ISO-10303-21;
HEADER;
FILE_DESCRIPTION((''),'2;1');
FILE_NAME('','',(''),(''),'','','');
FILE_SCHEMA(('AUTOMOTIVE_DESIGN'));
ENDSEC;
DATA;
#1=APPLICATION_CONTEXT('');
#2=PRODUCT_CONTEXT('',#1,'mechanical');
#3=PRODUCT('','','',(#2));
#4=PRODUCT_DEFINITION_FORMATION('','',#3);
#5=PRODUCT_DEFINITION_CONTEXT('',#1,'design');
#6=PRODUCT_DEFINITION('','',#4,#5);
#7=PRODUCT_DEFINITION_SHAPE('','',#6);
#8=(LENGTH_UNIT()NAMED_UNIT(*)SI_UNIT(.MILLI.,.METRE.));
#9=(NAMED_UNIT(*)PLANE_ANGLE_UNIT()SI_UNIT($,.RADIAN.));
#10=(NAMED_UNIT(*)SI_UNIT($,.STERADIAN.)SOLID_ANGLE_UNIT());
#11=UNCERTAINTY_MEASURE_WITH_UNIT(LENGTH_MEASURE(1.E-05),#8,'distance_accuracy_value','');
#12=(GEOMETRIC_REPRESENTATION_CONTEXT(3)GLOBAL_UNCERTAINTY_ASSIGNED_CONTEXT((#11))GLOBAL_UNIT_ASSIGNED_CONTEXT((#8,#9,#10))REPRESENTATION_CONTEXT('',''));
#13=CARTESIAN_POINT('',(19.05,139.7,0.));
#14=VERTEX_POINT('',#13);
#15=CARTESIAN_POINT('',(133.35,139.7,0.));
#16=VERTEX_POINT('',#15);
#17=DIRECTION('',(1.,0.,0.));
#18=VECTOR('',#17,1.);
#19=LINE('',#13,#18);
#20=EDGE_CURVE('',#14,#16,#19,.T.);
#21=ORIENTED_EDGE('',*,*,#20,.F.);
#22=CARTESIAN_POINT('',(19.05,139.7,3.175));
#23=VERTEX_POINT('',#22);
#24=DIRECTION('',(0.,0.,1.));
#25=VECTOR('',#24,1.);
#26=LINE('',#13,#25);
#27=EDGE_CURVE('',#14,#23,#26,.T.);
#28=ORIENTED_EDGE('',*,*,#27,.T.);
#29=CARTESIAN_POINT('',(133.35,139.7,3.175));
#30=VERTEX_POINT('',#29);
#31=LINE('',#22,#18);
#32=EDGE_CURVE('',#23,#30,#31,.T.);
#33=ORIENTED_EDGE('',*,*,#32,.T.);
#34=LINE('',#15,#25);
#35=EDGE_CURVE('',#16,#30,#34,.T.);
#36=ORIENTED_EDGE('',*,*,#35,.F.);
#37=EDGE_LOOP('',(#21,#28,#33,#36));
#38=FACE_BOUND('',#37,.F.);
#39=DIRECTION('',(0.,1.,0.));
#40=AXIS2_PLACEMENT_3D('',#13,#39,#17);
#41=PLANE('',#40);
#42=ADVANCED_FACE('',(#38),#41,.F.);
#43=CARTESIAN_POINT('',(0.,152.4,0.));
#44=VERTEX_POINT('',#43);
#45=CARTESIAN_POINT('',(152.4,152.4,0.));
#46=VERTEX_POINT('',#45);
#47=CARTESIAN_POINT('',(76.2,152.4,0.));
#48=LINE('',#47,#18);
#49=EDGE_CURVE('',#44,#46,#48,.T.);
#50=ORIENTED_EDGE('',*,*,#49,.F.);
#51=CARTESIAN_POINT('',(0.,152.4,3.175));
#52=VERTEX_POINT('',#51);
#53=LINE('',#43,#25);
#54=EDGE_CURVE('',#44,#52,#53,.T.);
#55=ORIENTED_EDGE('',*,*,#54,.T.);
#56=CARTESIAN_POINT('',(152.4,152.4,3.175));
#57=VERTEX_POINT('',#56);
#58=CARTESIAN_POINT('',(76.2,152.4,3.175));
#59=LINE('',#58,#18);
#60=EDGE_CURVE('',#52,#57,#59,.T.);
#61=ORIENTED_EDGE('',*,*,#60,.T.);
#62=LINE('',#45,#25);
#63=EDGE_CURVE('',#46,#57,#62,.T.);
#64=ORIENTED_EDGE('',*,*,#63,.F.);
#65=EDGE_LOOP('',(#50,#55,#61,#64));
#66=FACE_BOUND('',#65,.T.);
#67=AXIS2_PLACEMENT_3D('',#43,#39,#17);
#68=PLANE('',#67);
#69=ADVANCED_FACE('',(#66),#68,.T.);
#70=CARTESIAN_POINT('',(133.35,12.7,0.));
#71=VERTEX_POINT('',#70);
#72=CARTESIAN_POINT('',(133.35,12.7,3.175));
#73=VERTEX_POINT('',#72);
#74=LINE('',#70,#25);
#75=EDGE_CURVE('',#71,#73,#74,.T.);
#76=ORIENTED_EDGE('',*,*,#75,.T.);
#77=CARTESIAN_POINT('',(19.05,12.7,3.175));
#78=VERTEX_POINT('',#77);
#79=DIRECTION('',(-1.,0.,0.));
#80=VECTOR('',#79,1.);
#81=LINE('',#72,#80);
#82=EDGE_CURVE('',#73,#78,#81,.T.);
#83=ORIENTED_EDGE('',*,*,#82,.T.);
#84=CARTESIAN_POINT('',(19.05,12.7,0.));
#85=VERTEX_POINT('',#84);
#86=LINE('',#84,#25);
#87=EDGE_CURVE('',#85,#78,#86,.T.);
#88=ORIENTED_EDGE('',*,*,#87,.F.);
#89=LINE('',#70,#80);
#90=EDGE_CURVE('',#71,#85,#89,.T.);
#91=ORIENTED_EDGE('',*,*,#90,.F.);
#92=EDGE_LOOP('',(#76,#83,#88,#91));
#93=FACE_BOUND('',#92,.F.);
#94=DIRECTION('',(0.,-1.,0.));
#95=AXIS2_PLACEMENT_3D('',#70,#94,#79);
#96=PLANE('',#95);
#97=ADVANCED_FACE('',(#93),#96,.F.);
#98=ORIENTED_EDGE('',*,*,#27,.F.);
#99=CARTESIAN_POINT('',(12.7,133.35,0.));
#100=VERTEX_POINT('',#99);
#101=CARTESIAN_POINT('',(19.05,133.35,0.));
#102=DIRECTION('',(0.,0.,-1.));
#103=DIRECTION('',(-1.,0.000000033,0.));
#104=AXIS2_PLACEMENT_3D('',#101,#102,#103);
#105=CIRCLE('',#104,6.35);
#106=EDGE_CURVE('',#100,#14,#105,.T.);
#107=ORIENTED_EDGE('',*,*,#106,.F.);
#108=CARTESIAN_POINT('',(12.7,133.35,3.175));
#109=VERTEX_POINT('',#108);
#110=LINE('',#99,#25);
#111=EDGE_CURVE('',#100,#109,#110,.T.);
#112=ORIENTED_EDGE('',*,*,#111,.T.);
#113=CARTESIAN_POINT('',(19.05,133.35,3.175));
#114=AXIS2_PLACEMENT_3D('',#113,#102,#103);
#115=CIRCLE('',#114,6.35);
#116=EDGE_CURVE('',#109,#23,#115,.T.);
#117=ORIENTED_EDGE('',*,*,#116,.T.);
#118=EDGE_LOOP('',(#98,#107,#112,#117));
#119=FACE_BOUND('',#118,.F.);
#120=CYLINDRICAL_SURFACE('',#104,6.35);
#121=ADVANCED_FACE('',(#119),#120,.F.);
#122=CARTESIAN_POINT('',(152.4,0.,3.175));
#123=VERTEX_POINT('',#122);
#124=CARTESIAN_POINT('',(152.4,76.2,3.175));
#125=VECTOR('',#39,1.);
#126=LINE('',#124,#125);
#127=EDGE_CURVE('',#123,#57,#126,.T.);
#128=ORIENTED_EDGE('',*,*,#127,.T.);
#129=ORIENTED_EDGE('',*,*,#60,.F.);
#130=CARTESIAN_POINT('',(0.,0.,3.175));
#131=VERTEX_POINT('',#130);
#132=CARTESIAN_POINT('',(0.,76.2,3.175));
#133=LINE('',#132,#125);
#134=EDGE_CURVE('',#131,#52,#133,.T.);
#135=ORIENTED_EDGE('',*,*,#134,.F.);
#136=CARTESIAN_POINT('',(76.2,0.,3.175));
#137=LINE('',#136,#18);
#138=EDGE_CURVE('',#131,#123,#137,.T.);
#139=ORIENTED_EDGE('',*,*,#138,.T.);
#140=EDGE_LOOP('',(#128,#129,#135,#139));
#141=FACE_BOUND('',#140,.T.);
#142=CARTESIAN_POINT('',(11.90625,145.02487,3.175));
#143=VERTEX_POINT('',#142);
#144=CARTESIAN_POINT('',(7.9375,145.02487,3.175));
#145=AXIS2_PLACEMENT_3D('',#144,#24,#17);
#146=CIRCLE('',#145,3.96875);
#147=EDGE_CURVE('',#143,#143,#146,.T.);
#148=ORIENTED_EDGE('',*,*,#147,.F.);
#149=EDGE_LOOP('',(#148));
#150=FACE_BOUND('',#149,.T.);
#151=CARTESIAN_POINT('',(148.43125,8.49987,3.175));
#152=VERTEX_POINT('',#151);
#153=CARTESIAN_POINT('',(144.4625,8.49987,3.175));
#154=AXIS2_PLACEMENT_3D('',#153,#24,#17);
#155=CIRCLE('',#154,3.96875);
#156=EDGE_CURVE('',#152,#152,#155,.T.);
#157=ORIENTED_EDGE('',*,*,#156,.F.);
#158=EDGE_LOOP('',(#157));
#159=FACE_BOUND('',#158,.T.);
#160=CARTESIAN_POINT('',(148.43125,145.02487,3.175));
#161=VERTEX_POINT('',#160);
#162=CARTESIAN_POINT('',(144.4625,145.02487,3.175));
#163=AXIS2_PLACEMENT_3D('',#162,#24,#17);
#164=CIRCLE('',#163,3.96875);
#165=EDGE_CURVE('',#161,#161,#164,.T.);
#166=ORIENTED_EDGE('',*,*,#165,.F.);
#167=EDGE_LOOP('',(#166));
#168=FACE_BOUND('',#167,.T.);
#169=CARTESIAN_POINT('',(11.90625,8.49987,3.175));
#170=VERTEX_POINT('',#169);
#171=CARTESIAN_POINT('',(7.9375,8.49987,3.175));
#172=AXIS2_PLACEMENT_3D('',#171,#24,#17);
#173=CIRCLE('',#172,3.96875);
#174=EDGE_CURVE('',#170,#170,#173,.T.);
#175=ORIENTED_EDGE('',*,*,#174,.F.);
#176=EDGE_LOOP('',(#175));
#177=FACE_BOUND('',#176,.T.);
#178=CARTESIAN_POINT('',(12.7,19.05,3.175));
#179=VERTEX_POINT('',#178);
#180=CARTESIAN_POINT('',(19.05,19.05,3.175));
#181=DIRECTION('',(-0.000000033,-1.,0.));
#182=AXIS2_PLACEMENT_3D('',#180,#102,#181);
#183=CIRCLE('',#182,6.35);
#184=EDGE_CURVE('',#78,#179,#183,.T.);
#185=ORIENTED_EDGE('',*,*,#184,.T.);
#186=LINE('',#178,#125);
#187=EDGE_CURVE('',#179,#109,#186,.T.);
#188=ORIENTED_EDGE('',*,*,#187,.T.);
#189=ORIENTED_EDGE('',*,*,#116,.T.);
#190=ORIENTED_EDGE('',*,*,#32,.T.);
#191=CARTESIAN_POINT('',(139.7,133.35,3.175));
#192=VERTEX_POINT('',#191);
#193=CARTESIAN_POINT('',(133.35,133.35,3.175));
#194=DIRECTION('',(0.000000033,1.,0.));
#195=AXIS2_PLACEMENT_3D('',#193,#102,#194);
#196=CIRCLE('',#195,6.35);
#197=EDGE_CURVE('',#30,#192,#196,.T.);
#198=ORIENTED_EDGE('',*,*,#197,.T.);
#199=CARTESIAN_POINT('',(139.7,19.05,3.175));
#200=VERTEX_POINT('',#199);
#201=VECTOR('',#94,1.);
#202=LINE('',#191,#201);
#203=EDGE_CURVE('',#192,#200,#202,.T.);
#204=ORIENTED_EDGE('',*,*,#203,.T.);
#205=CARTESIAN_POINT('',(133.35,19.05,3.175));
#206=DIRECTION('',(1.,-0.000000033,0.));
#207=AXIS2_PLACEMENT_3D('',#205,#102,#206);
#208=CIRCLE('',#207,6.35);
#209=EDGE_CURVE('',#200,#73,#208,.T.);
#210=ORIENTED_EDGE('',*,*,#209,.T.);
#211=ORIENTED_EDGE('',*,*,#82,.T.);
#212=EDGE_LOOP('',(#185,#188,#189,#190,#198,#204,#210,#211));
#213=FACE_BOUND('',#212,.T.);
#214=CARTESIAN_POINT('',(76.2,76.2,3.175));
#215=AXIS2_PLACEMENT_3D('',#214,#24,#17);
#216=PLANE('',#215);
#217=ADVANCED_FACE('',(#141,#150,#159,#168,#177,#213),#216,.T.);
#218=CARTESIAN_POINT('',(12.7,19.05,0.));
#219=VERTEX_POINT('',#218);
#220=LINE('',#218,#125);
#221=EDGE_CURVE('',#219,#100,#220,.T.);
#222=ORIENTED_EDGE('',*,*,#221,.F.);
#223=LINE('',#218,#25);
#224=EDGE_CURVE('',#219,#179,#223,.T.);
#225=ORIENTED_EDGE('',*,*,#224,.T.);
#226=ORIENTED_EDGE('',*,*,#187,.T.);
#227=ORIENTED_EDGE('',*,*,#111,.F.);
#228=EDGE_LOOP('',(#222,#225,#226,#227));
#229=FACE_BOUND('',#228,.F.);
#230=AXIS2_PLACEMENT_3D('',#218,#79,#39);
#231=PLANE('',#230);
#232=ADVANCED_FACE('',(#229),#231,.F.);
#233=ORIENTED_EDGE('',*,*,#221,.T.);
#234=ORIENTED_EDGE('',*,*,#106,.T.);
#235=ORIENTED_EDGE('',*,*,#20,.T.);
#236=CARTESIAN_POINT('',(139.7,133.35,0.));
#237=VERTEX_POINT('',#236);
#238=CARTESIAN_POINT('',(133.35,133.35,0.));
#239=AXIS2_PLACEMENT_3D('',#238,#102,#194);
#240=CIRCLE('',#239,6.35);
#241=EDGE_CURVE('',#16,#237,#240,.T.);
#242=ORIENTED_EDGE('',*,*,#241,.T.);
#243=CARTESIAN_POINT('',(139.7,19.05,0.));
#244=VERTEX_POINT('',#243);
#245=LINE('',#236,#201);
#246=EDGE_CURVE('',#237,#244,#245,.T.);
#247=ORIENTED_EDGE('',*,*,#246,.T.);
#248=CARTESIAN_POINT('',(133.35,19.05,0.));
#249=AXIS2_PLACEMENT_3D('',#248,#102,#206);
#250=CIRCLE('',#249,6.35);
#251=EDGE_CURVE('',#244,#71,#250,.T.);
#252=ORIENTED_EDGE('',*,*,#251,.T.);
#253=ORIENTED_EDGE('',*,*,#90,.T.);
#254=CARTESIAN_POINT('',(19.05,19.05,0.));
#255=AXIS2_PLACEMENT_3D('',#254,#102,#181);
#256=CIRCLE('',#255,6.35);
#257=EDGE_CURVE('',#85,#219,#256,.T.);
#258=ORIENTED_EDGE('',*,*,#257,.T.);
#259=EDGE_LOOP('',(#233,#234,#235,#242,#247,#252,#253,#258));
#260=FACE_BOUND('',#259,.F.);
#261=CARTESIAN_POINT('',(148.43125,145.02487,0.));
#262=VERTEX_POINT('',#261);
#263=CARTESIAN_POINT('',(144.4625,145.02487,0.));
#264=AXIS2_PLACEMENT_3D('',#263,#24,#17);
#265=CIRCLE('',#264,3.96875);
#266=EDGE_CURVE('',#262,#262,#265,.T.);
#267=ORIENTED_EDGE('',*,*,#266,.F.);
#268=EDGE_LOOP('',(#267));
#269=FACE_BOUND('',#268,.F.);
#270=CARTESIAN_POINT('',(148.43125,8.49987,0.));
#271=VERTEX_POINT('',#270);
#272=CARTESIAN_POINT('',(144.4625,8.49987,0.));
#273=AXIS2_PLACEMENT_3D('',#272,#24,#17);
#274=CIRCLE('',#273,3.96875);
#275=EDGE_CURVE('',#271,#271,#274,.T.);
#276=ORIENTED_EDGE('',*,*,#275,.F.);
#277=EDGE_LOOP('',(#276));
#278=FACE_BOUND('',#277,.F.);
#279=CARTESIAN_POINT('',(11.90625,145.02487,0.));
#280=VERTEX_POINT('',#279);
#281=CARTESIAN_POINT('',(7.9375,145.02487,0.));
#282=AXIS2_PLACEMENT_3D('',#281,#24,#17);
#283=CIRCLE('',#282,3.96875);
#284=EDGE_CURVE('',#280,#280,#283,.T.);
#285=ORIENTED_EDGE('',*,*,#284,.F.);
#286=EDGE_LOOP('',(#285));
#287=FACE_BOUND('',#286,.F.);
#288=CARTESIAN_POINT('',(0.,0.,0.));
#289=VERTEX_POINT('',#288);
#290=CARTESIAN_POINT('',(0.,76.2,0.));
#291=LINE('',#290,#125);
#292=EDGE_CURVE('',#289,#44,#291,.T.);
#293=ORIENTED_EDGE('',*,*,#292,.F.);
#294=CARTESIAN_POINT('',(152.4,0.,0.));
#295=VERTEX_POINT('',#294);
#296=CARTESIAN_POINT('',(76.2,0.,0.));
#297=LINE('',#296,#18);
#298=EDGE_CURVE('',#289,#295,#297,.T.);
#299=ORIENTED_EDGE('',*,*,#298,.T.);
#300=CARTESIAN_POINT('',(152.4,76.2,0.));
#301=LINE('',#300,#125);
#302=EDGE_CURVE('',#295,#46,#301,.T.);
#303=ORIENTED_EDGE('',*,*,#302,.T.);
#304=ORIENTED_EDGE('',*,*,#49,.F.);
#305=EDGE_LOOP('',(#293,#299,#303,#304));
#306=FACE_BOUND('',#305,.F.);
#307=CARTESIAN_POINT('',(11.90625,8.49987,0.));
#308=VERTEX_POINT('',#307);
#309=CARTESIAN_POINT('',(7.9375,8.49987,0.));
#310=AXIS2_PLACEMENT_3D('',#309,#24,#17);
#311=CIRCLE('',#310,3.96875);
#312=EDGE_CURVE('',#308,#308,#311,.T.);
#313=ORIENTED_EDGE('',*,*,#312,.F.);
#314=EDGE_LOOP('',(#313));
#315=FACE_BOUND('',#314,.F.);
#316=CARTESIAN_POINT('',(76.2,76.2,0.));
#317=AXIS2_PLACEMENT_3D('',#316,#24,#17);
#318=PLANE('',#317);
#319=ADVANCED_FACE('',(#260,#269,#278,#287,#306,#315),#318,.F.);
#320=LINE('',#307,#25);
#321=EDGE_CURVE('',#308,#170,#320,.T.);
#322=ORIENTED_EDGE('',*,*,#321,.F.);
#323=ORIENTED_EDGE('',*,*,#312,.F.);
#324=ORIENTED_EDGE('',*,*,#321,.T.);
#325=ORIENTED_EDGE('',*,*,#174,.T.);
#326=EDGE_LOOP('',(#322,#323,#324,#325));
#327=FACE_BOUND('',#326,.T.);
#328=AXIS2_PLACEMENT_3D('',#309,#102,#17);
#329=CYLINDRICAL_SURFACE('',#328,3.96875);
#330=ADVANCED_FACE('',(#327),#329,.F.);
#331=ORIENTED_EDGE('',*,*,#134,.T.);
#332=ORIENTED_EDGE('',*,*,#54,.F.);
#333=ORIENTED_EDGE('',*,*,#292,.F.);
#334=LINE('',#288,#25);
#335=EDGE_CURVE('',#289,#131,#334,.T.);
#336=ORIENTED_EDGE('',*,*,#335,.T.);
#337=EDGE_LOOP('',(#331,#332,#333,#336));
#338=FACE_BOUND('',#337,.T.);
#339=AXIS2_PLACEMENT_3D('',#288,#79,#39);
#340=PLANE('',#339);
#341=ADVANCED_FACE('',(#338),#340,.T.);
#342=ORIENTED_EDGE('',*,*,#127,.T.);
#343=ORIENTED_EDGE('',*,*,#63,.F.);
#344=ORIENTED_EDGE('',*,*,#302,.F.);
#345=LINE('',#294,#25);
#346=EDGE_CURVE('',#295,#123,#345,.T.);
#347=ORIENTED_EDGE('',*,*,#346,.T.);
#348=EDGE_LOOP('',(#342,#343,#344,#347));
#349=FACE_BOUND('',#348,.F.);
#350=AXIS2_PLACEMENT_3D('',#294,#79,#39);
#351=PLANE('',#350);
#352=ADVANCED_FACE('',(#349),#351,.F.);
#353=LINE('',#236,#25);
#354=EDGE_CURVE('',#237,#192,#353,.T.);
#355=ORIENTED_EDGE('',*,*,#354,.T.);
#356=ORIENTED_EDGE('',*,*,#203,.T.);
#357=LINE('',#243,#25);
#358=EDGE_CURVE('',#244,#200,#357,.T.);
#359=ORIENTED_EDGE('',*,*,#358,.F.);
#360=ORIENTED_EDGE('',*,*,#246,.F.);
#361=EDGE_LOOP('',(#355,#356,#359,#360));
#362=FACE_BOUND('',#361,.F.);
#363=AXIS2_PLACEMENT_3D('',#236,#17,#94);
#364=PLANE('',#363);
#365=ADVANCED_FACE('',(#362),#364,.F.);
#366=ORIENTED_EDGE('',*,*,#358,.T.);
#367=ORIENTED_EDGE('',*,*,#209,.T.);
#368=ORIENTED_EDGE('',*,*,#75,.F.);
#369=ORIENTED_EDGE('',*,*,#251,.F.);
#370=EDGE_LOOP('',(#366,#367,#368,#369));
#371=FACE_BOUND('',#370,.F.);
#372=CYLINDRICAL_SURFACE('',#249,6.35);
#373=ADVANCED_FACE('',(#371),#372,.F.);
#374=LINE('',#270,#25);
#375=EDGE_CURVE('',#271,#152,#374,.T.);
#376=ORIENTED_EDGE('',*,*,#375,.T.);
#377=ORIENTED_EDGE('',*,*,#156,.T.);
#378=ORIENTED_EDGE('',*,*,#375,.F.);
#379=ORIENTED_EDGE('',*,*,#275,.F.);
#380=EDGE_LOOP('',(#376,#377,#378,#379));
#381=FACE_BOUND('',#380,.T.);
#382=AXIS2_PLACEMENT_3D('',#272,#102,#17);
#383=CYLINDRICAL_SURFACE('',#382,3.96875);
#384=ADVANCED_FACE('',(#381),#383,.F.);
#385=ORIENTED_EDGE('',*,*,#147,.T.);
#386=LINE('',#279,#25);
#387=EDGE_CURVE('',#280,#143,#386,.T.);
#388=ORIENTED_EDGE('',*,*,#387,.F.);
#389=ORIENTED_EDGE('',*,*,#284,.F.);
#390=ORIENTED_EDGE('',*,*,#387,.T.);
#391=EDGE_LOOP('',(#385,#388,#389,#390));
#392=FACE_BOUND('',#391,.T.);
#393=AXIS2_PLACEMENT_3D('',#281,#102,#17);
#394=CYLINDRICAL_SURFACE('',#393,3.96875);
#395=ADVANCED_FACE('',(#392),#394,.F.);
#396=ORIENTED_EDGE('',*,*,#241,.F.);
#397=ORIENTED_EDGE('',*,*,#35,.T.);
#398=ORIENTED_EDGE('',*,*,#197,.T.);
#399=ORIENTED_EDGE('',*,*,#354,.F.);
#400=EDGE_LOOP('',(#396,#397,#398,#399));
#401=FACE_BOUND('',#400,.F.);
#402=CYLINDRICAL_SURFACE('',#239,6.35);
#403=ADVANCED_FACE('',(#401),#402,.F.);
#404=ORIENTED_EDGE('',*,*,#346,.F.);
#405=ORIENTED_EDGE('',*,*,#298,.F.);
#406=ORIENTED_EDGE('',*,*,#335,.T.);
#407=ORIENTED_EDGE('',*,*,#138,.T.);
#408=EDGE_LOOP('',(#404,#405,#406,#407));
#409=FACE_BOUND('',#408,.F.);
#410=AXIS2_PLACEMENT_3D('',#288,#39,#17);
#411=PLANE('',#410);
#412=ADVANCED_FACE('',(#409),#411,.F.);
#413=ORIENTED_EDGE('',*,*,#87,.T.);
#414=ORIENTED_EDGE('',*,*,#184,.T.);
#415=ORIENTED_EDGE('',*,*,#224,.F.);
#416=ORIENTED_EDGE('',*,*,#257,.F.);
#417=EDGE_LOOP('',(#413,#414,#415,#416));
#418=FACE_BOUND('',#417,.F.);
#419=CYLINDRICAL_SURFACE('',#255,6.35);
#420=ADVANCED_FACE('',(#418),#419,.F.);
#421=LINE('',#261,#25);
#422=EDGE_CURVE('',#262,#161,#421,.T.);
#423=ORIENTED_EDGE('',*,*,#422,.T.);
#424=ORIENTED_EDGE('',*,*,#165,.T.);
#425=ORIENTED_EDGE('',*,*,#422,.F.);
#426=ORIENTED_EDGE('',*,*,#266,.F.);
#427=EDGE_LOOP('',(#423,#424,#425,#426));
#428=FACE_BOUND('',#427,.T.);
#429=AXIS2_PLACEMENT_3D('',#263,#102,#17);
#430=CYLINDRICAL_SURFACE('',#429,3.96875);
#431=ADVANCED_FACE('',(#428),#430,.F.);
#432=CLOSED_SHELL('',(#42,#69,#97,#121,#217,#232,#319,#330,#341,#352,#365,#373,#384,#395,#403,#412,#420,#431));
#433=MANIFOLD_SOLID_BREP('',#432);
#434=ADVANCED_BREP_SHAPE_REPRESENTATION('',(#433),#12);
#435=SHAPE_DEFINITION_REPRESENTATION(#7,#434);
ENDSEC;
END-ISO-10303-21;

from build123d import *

# Parameters (mm, degrees)
F0_W     = 152.4
F0_H     = 152.4
F0_R     = 3.96875
F1_DEPTH = 3.175


with BuildPart() as f1:
    # F0 (on Top) → F1 (new body)
    with BuildSketch(Plane.XY):
        with Locations((76.2, 76.2)):
            Rectangle(F0_W, F0_H)
        with Locations((7.9375, 8.49987)):
            Circle(F0_R, mode=Mode.SUBTRACT)
        with BuildLine():
            Line((133.35, 12.7), (19.05, 12.7))
            ThreePointArc((19.05, 12.7), (14.559872, 14.559872), (12.7, 19.05))
            Line((12.7, 19.05), (12.7, 133.35))
            ThreePointArc((12.7, 133.35), (14.559872, 137.840128), (19.05, 139.7))
            Line((19.05, 139.7), (133.35, 139.7))
            ThreePointArc((133.35, 139.7), (137.840128, 137.840128), (139.7, 133.35))
            Line((139.7, 133.35), (139.7, 19.05))
            ThreePointArc((139.7, 19.05), (137.840128, 14.559872), (133.35, 12.7))
        make_face(mode=Mode.SUBTRACT)
        with Locations((144.4625, 8.49987)):
            Circle(F0_R, mode=Mode.SUBTRACT)
        with Locations((7.9375, 145.02487)):
            Circle(F0_R, mode=Mode.SUBTRACT)
        with Locations((144.4625, 145.02487)):
            Circle(F0_R, mode=Mode.SUBTRACT)
    extrude(amount=F1_DEPTH)


solid = f1.part
